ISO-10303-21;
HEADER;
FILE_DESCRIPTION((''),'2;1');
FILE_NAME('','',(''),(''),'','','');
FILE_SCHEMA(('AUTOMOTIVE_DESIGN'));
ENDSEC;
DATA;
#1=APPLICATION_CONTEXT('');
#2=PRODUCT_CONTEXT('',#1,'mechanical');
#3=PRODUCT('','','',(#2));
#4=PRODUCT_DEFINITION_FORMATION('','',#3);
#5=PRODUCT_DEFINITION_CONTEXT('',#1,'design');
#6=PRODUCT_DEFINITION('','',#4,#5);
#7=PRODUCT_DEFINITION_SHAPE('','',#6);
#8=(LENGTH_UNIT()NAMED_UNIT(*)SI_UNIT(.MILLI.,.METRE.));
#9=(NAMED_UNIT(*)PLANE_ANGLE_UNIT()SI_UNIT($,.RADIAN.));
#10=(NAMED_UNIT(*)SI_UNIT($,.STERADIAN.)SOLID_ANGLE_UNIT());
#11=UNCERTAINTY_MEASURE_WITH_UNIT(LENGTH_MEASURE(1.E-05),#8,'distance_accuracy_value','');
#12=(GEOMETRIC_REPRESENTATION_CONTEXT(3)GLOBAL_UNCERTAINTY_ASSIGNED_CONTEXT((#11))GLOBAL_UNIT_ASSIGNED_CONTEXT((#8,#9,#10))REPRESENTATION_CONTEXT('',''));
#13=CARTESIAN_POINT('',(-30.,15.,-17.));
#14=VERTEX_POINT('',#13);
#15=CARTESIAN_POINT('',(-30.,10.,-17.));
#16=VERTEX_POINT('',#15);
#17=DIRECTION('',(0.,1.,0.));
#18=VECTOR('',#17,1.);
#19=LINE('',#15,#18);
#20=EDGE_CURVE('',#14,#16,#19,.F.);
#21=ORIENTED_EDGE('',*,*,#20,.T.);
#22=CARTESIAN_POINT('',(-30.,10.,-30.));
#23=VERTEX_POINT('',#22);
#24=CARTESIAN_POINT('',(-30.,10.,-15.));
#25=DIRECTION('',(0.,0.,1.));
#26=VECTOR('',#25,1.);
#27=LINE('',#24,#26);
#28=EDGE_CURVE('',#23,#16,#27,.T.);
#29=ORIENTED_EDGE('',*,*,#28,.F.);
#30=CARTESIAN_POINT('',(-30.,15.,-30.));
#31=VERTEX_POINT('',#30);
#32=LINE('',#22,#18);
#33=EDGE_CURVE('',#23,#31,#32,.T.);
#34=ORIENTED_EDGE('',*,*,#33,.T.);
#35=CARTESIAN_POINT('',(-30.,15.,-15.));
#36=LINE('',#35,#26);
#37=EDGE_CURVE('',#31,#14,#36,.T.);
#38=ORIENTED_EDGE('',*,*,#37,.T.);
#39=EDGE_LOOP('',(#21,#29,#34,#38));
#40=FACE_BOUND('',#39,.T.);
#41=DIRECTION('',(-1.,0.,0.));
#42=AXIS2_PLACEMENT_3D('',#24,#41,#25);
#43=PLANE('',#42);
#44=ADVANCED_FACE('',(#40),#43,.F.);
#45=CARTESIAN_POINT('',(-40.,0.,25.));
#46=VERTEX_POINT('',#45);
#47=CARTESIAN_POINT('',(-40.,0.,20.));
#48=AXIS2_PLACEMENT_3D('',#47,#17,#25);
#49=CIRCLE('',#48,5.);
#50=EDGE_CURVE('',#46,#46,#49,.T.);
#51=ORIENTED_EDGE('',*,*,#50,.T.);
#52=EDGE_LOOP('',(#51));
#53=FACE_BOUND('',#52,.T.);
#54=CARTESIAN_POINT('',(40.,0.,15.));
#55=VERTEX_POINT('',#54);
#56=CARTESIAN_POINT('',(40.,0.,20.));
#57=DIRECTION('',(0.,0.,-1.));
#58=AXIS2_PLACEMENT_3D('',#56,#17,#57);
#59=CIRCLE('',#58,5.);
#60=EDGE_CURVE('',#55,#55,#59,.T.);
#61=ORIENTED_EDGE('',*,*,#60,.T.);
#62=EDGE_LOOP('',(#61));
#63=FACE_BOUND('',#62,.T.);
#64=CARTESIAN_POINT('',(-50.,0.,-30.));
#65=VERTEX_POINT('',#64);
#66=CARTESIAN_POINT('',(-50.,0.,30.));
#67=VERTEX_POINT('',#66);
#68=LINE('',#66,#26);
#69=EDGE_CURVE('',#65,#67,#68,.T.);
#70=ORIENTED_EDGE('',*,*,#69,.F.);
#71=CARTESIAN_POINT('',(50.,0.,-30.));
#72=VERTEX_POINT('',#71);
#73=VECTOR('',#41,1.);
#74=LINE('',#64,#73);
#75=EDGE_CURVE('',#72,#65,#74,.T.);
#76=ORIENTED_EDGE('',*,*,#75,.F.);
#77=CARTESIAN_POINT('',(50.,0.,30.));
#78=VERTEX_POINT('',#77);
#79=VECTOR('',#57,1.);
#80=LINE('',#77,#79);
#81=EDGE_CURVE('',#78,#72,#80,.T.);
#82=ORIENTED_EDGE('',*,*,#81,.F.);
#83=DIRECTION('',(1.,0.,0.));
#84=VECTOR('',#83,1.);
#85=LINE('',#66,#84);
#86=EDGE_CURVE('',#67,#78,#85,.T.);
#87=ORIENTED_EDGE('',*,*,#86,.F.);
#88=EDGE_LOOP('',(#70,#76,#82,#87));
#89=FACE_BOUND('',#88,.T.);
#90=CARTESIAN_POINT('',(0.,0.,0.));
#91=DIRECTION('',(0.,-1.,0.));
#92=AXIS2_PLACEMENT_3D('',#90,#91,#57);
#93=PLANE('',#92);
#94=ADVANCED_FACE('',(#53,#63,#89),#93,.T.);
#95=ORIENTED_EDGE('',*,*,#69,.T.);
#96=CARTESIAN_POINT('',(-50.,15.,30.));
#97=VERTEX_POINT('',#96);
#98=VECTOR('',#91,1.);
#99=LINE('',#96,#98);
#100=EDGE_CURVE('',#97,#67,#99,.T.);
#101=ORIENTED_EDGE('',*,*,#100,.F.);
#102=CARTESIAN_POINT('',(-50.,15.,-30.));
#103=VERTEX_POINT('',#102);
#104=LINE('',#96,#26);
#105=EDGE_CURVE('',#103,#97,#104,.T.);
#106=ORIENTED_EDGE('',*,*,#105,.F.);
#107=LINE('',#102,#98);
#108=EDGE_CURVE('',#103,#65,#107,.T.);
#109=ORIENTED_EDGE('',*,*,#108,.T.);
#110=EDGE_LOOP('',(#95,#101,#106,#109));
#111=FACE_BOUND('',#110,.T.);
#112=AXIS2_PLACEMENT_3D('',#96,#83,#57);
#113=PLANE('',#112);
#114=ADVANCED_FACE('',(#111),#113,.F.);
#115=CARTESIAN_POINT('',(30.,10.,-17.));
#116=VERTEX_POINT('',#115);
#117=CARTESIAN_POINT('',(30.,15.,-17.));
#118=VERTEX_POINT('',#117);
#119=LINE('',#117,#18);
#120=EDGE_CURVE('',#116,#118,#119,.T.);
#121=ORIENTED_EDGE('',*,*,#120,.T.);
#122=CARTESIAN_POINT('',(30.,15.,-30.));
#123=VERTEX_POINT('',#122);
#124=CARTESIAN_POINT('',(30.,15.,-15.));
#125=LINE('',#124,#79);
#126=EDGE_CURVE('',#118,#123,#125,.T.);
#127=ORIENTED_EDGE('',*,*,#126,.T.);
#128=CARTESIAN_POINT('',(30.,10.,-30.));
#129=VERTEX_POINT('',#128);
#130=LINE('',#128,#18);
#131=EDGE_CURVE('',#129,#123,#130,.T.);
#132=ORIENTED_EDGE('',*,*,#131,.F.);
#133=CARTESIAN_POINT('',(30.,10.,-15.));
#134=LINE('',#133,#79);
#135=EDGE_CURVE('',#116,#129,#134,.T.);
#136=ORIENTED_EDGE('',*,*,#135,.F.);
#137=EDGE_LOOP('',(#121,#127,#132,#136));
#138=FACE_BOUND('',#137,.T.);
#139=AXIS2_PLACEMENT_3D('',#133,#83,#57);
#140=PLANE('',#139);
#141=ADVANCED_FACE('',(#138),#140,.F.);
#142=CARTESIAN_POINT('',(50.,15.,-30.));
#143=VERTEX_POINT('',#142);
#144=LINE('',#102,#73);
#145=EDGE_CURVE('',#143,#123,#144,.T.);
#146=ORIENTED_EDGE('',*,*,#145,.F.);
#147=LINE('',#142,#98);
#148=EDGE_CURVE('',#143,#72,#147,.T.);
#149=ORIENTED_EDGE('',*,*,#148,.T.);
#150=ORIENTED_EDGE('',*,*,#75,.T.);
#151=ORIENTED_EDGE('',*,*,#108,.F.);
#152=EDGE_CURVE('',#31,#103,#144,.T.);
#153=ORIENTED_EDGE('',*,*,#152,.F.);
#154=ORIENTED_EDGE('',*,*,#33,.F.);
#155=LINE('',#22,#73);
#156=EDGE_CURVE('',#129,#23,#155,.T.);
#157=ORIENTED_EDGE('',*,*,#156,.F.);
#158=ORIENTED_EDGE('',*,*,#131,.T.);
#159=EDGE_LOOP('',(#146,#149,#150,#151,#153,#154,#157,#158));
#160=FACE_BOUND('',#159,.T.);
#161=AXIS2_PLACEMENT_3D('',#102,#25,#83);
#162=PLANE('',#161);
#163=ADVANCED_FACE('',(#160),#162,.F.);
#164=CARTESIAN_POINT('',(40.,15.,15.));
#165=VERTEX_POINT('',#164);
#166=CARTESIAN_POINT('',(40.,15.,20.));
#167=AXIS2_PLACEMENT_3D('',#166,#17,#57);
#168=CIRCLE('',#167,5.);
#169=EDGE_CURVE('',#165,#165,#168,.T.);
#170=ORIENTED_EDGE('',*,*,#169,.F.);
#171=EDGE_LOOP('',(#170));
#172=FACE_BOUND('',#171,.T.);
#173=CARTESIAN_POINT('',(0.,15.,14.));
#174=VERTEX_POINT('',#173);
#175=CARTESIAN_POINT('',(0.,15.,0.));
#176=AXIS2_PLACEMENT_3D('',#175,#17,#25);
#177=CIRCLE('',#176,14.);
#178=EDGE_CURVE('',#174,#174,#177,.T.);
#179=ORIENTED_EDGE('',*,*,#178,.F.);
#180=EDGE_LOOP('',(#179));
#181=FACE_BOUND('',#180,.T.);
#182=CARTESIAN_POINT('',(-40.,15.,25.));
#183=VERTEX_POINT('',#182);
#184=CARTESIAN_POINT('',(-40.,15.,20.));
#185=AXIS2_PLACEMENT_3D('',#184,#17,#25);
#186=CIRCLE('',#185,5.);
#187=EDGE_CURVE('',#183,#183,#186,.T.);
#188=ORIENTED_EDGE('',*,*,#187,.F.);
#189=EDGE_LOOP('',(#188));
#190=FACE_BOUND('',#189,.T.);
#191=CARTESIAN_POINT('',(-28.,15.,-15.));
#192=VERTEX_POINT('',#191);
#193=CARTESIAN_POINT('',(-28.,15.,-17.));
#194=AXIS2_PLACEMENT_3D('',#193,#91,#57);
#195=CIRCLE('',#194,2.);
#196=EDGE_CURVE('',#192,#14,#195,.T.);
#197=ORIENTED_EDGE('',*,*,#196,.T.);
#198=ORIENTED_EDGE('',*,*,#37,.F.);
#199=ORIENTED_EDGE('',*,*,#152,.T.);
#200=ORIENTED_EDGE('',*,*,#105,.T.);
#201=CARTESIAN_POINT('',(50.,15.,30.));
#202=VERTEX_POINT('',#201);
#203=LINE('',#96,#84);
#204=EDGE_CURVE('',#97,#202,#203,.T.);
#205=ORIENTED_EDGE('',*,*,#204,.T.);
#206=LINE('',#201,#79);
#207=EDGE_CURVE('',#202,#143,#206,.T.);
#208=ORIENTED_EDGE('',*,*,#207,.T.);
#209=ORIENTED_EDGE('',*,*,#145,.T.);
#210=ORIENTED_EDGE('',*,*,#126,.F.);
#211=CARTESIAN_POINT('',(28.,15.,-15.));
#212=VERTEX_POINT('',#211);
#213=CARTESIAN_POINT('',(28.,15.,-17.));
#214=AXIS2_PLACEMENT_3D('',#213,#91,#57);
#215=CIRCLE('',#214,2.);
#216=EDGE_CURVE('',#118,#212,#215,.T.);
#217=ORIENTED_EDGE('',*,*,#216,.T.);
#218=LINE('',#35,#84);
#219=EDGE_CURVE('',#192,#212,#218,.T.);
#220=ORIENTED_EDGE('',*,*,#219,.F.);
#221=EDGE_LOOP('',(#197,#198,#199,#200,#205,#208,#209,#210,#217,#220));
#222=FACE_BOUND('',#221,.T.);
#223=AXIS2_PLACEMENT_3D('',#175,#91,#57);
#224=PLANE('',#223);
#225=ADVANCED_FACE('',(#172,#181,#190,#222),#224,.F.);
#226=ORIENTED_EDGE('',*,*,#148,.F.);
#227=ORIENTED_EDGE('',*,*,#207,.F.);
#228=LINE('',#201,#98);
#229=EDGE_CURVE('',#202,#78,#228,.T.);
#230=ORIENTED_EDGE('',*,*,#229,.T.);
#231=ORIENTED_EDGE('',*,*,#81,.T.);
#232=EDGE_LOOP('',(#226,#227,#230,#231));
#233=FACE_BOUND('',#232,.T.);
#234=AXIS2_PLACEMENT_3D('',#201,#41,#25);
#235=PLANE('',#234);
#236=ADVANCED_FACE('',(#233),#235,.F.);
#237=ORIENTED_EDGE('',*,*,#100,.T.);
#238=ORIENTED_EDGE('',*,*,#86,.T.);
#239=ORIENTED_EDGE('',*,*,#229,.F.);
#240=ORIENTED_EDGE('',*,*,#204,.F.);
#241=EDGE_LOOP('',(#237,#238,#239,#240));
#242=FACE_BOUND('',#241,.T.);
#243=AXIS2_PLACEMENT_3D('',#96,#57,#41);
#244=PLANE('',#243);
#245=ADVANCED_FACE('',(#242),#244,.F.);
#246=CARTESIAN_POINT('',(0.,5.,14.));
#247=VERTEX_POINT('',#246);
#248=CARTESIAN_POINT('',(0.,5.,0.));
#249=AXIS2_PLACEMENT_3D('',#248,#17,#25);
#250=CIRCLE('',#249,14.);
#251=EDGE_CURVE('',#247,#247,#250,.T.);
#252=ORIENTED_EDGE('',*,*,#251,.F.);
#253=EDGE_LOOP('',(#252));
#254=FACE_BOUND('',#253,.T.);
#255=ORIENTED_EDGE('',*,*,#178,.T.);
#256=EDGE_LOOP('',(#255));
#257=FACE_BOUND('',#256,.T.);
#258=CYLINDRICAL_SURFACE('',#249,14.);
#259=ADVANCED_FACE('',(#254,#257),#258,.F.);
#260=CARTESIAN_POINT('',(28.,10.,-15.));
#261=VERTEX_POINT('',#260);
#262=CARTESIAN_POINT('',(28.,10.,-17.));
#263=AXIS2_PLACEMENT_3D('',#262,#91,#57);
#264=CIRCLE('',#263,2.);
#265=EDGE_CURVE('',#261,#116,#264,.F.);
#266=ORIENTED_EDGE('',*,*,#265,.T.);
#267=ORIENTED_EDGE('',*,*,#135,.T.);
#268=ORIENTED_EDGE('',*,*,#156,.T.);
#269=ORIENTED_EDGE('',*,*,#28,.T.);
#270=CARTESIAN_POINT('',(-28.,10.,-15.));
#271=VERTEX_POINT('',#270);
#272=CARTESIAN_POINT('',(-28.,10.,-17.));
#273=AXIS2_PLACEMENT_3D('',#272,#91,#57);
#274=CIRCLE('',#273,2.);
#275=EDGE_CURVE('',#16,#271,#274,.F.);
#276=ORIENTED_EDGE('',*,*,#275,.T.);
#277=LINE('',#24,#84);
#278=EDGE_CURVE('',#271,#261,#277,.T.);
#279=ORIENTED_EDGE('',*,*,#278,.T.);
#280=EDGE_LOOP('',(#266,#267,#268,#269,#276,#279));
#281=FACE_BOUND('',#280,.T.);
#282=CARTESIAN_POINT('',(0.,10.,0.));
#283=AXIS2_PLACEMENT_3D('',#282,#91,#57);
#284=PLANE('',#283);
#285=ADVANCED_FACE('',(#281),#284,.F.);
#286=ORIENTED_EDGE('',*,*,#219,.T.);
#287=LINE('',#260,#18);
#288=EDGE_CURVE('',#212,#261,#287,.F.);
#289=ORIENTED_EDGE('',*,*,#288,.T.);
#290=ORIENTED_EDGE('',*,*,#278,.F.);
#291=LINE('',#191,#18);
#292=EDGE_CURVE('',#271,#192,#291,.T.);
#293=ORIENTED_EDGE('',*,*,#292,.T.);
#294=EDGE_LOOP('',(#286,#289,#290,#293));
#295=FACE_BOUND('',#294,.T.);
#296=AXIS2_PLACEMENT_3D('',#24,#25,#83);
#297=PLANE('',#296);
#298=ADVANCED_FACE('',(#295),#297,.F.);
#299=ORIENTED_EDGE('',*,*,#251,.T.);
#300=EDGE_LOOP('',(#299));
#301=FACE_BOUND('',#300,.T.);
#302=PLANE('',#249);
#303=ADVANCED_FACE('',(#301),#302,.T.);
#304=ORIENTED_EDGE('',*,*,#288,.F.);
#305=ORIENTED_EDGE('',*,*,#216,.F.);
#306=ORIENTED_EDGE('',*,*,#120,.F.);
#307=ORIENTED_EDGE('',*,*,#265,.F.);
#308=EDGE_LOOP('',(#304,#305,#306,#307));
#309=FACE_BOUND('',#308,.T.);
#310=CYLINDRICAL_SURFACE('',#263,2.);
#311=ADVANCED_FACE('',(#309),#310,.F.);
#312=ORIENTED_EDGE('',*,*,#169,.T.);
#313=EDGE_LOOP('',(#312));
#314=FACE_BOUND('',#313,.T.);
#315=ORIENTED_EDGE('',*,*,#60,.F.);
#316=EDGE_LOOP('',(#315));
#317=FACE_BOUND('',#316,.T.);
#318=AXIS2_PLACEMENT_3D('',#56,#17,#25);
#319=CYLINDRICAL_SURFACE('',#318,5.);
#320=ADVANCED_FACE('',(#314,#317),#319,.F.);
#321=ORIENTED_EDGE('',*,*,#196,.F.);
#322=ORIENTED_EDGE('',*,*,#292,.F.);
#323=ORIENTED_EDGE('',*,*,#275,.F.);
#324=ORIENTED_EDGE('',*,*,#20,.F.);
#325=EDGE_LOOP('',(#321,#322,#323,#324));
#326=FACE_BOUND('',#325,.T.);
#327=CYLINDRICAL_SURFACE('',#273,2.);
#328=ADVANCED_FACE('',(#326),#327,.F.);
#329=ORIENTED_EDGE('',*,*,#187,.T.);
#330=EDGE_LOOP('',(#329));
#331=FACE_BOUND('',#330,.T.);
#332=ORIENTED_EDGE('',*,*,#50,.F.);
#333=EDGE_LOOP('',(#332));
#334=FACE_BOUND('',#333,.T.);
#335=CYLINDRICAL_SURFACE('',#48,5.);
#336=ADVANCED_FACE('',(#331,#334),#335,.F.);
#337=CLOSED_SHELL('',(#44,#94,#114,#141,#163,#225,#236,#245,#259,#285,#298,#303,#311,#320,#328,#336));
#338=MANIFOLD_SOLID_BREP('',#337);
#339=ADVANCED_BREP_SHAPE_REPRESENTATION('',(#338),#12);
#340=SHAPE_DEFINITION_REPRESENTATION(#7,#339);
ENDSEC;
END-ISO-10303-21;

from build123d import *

# Parameters (mm, degrees)
IZIM1_W                     = 100
IZIM1_H                     = 60
Y_KSEKLIK_EKSTR_ZYON1_DEPTH = 15
IZIM2_W                     = 60
IZIM2_H                     = 15
KES_EKSTR_ZYON1_DEPTH       = 5
IZIM3_R                     = 14
KES_EKSTR_ZYON2_DEPTH       = 10
IZIM4_R                     = 5
KES_EKSTR_ZYON3_DEPTH       = 16
RADYUS1_R                   = 2


with BuildPart() as part:
    # Çizim1 → Yükseklik-Ekstrüzyon1 (new body)
    with BuildSketch(Plane(origin=(0, 0, 0), x_dir=(1, 0, 0), z_dir=(0, 1, 0))):
        Rectangle(IZIM1_W, IZIM1_H)
    extrude(amount=Y_KSEKLIK_EKSTR_ZYON1_DEPTH)

    # Çizim2 → Kes-Ekstrüzyon1 (cut)
    with BuildSketch(Plane(origin=(0, 15, 0), x_dir=(1, 0, 0), z_dir=(0, 1, 0))):
        with Locations((0, 22.5)):
            Rectangle(IZIM2_W, IZIM2_H)
    extrude(amount=-KES_EKSTR_ZYON1_DEPTH, mode=Mode.SUBTRACT)

    # Çizim3 → Kes-Ekstrüzyon2 (cut)
    with BuildSketch(Plane(origin=(0, 15, 0), x_dir=(1, 0, 0), z_dir=(0, 1, 0))):
        Circle(IZIM3_R)
    extrude(amount=-KES_EKSTR_ZYON2_DEPTH, mode=Mode.SUBTRACT)

    # Çizim4 → Kes-Ekstrüzyon3 (cut, through all)
    with BuildSketch(Plane(origin=(0, 15, 0), x_dir=(1, 0, 0), z_dir=(0, 1, 0))):
        with Locations((-40, -20)):
            Circle(IZIM4_R)
        with Locations((40, -20)):
            Circle(IZIM4_R)
    extrude(amount=-KES_EKSTR_ZYON3_DEPTH, mode=Mode.SUBTRACT)

    # Radyus1
    radyus1_edges = [part.edges().sort_by_distance(p)[0] for p in [
        (30, 12.5, -15),
        (-30, 12.5, -15),
    ]]
    fillet(radyus1_edges, radius=RADYUS1_R)


solid = part.part
